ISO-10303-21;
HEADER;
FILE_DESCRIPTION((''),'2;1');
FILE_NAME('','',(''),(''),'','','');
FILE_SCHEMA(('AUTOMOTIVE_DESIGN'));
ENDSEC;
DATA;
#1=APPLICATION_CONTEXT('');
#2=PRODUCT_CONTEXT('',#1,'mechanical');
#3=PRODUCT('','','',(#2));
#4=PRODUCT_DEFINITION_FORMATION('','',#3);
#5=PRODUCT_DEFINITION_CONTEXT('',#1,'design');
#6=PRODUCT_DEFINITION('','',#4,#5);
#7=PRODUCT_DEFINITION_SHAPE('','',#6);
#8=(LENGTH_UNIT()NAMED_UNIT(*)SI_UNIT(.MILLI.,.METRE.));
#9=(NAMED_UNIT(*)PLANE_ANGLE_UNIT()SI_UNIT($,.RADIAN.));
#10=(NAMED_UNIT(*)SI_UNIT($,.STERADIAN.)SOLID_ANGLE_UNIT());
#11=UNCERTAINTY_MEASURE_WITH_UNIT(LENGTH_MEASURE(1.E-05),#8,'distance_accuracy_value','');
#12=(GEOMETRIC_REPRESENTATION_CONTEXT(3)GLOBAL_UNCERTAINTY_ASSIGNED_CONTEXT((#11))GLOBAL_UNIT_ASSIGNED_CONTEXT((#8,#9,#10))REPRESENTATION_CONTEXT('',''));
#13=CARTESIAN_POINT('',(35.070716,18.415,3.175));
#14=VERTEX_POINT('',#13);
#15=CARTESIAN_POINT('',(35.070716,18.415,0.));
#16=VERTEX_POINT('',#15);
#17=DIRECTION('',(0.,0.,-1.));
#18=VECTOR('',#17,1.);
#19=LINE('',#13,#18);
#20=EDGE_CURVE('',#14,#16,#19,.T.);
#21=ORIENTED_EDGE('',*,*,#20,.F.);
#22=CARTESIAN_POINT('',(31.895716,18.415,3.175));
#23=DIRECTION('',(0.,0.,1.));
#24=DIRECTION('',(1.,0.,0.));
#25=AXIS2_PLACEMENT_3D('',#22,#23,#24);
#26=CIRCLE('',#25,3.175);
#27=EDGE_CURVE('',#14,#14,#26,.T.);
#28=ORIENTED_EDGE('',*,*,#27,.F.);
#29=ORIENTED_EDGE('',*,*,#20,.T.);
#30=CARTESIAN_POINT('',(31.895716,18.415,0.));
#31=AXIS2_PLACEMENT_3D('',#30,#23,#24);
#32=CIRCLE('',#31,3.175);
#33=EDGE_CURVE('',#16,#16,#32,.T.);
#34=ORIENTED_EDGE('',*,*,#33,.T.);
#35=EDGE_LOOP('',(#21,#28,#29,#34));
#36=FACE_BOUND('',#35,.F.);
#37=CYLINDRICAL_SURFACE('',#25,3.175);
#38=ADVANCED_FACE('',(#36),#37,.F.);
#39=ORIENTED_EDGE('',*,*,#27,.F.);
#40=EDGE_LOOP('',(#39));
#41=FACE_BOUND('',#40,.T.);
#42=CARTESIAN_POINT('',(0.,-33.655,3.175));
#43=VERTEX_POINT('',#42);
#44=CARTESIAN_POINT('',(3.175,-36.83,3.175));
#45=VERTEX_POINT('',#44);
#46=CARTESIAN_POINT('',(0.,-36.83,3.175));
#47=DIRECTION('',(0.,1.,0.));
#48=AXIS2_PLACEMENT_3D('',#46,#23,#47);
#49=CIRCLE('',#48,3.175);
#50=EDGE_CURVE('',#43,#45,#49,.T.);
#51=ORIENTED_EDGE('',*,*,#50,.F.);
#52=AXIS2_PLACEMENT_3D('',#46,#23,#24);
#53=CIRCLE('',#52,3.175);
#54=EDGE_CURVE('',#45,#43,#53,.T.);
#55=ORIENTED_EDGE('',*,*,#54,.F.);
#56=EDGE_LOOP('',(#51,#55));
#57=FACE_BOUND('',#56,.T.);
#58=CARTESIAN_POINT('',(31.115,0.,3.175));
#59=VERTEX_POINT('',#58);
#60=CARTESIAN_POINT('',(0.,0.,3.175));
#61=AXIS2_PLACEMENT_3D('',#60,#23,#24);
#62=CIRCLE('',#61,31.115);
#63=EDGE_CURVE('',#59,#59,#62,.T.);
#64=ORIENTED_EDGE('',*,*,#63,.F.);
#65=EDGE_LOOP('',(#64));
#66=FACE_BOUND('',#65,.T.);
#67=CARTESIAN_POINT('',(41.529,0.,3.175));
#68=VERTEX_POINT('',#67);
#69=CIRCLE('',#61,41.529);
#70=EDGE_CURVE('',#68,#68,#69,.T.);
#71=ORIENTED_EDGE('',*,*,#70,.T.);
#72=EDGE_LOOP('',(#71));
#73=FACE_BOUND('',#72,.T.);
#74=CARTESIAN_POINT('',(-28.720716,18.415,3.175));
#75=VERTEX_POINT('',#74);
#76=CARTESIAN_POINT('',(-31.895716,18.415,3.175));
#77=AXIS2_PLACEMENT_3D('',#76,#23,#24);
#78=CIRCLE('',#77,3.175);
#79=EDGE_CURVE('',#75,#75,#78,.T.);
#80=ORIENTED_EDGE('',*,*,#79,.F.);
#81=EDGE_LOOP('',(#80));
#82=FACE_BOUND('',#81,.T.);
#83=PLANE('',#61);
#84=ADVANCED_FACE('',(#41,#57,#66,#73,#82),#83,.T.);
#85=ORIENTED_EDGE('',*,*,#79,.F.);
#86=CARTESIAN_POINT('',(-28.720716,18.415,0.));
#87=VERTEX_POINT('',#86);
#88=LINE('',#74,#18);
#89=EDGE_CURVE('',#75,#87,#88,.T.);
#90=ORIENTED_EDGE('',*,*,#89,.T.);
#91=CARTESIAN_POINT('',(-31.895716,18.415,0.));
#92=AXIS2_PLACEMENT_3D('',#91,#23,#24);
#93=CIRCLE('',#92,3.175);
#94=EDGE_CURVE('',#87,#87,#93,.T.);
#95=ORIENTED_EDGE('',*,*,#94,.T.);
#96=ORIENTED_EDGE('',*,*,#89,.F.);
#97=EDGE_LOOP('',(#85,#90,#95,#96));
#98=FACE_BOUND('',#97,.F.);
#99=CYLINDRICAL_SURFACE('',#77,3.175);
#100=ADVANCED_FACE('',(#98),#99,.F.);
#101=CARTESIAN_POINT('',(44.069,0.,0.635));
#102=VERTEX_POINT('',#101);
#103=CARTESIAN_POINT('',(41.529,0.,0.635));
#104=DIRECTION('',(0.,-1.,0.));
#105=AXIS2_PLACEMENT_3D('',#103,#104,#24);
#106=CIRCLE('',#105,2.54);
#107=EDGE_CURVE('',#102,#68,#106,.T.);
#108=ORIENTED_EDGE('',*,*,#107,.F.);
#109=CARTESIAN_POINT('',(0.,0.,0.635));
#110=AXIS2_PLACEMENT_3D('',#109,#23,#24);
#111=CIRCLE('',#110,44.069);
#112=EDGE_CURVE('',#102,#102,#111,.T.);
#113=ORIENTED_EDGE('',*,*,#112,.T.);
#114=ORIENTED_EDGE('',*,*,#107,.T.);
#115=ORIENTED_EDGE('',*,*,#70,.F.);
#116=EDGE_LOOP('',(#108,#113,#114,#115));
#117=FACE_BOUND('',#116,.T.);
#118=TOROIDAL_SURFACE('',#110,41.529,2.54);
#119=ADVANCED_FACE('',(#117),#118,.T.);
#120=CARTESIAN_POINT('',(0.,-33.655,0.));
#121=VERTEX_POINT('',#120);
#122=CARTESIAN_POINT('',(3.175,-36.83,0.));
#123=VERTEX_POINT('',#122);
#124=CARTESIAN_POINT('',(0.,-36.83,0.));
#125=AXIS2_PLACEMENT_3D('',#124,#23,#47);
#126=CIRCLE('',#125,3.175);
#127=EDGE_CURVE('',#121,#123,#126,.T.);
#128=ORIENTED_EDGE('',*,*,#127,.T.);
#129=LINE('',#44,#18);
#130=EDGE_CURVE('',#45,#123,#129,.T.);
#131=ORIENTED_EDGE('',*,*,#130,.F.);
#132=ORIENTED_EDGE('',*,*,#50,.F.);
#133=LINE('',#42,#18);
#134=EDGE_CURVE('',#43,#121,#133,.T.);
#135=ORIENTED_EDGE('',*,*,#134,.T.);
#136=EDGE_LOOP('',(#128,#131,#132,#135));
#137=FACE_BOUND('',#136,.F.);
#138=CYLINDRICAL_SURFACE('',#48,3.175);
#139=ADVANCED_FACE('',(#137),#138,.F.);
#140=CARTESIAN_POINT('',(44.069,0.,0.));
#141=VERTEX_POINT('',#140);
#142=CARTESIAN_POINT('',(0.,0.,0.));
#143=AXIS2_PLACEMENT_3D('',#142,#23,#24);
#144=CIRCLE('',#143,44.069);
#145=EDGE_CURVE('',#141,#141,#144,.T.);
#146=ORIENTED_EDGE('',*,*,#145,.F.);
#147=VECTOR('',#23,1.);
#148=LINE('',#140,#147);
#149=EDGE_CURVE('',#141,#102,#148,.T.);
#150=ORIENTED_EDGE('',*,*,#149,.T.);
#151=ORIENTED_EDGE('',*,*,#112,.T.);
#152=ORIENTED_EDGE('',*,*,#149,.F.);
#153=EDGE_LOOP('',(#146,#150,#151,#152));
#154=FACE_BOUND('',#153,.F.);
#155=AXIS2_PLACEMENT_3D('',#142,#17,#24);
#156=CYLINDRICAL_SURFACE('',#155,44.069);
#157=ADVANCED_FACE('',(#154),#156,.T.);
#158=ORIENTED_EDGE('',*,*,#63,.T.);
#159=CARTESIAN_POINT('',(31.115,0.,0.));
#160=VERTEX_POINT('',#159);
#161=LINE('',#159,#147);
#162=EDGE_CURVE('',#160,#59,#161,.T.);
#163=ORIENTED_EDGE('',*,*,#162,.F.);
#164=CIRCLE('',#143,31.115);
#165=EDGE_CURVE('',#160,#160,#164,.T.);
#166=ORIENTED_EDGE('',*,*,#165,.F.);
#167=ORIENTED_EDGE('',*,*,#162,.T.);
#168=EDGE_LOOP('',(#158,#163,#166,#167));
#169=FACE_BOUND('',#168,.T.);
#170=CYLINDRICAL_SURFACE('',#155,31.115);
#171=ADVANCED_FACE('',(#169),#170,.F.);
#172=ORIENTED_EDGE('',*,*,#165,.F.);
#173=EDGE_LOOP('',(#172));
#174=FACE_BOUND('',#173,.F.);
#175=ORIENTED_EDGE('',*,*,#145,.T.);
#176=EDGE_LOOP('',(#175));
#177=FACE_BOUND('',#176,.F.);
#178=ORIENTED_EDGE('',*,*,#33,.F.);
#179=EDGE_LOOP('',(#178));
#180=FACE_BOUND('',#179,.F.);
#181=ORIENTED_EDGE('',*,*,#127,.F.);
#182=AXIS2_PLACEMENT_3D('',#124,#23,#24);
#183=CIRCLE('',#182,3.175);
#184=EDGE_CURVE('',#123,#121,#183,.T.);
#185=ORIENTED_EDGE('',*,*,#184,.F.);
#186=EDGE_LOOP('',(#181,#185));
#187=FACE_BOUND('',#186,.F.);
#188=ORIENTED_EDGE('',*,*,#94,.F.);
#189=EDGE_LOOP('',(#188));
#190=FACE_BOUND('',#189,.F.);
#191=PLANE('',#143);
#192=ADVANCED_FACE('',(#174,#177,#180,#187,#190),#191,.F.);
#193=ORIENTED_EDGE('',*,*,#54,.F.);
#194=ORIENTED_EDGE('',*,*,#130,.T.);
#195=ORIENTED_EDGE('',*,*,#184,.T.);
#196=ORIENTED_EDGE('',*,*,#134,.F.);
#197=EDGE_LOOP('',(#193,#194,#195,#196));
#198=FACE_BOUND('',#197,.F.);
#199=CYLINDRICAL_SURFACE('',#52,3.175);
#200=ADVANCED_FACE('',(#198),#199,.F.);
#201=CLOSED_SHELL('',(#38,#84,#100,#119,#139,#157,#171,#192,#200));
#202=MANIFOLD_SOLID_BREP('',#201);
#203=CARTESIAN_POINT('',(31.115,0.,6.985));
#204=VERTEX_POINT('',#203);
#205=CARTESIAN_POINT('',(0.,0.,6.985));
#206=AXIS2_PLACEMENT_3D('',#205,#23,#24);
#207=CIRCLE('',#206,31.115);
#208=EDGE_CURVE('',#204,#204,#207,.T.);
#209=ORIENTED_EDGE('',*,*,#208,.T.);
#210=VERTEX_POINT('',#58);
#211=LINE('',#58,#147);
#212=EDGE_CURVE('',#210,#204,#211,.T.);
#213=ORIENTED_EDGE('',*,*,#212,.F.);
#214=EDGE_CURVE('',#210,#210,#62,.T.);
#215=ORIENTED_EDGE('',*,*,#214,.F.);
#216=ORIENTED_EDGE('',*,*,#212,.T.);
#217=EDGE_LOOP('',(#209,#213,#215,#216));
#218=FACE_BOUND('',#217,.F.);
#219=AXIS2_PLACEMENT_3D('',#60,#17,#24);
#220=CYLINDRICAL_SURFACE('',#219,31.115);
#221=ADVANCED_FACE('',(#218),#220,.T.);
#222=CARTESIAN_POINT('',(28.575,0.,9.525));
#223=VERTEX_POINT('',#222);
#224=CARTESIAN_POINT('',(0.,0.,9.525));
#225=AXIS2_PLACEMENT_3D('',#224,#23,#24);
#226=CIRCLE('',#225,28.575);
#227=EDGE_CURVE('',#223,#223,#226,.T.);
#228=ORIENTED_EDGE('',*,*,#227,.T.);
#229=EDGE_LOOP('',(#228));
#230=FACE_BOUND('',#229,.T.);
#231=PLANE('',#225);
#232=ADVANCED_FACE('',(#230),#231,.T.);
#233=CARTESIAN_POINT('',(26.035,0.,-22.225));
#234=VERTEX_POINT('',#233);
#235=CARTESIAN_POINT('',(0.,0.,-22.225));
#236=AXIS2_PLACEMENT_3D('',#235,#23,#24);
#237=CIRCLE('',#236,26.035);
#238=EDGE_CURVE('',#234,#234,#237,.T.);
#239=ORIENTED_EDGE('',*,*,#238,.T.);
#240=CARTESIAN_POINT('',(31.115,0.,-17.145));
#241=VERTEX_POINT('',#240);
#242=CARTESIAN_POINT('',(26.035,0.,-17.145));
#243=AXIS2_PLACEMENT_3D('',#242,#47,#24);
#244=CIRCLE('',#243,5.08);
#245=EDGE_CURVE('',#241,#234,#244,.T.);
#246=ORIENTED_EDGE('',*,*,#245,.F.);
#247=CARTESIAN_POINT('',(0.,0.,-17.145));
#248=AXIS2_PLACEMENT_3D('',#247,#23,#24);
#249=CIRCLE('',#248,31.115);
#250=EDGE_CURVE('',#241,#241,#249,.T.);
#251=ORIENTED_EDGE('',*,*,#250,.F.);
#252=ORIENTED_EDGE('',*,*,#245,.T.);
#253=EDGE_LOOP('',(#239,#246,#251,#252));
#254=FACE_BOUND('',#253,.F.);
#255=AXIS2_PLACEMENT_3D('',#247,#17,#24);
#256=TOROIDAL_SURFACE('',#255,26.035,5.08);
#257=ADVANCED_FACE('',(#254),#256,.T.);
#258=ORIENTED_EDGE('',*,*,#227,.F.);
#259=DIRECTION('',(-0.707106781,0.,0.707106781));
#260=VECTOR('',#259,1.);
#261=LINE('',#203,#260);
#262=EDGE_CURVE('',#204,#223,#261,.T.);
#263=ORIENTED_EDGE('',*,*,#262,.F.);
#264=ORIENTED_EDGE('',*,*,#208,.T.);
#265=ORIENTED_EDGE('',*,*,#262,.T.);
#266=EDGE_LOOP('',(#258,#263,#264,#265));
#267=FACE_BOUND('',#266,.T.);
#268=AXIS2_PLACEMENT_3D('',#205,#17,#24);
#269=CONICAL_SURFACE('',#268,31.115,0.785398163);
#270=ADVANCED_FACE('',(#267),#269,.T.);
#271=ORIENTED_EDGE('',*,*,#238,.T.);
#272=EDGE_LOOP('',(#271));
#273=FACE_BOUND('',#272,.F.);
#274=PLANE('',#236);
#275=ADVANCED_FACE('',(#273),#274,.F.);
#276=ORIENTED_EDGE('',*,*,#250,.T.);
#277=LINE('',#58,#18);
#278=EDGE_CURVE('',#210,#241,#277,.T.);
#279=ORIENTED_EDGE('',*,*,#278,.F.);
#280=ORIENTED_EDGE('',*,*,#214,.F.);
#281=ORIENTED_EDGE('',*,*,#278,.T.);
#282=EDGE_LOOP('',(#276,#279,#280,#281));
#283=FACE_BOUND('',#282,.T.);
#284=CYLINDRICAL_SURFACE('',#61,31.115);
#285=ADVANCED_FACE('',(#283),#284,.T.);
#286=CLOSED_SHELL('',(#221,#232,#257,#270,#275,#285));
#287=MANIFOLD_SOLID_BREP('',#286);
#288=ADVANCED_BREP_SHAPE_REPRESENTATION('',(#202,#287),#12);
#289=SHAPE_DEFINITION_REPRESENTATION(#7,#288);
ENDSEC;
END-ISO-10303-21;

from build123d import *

# Parameters (mm, degrees)
F0_R     = 44.069
F0_R_2   = 31.115
F1_DEPTH = 3.175
F2_R     = 2.54
F3_R     = 3.175
F4_DEPTH = 25.4
F5_R     = 31.115
F6_DEPTH = 25.4
F7_R     = 5.08
F8_DEPTH = 6.35
F9_SIZE  = 2.54


with BuildPart() as f1:
    # F0 (on Top) → F1 (new body)
    with BuildSketch(Plane.XY):
        Circle(F0_R)
        Circle(F0_R_2, mode=Mode.SUBTRACT)
    extrude(amount=F1_DEPTH)

    # F2
    f2_edges = [f1.edges().sort_by_distance(p)[0] for p in [
        (-44.069, 0, 3.175),
    ]]
    fillet(f2_edges, radius=F2_R)

    # F3 (on face) → F4 (cut)
    with BuildSketch(Plane.XY.offset(3.175)):
        with Locations((-31.8957156214, 18.415)):
            Circle(F3_R)
        with Locations((31.8957156214, 18.415)):
            Circle(F3_R)
        with BuildLine():
            ThreePointArc((3.175, -36.83), (2.2450640303, -34.5849359697), (0, -33.655))
            ThreePointArc((0, -33.655), (-2.2450640303, -39.0750640303), (3.175, -36.83))
        make_face()
    extrude(amount=-F4_DEPTH, mode=Mode.SUBTRACT)


with BuildPart() as f6:
    # F5 (on face) → F6 (new body)
    with BuildSketch(Plane.XY.offset(3.175)):
        Circle(F5_R)
    extrude(amount=-F6_DEPTH)

    # F7
    f7_edges = [f6.edges().sort_by_distance(p)[0] for p in [
        (-31.115, 0, -22.225),
    ]]
    fillet(f7_edges, radius=F7_R)

    # F8 (add): a face of the model
    f8_faces = [f6.faces().sort_by_distance(p)[0] for p in [
        (0, 0, 3.175),
    ]]
    extrude(f8_faces, amount=F8_DEPTH)

    # F9
    f9_edges = [f6.edges().sort_by_distance(p)[0] for p in [
        (-31.115, 0, 9.525),
    ]]
    chamfer(f9_edges, length=F9_SIZE)


solid = Compound([f1.part, f6.part])
